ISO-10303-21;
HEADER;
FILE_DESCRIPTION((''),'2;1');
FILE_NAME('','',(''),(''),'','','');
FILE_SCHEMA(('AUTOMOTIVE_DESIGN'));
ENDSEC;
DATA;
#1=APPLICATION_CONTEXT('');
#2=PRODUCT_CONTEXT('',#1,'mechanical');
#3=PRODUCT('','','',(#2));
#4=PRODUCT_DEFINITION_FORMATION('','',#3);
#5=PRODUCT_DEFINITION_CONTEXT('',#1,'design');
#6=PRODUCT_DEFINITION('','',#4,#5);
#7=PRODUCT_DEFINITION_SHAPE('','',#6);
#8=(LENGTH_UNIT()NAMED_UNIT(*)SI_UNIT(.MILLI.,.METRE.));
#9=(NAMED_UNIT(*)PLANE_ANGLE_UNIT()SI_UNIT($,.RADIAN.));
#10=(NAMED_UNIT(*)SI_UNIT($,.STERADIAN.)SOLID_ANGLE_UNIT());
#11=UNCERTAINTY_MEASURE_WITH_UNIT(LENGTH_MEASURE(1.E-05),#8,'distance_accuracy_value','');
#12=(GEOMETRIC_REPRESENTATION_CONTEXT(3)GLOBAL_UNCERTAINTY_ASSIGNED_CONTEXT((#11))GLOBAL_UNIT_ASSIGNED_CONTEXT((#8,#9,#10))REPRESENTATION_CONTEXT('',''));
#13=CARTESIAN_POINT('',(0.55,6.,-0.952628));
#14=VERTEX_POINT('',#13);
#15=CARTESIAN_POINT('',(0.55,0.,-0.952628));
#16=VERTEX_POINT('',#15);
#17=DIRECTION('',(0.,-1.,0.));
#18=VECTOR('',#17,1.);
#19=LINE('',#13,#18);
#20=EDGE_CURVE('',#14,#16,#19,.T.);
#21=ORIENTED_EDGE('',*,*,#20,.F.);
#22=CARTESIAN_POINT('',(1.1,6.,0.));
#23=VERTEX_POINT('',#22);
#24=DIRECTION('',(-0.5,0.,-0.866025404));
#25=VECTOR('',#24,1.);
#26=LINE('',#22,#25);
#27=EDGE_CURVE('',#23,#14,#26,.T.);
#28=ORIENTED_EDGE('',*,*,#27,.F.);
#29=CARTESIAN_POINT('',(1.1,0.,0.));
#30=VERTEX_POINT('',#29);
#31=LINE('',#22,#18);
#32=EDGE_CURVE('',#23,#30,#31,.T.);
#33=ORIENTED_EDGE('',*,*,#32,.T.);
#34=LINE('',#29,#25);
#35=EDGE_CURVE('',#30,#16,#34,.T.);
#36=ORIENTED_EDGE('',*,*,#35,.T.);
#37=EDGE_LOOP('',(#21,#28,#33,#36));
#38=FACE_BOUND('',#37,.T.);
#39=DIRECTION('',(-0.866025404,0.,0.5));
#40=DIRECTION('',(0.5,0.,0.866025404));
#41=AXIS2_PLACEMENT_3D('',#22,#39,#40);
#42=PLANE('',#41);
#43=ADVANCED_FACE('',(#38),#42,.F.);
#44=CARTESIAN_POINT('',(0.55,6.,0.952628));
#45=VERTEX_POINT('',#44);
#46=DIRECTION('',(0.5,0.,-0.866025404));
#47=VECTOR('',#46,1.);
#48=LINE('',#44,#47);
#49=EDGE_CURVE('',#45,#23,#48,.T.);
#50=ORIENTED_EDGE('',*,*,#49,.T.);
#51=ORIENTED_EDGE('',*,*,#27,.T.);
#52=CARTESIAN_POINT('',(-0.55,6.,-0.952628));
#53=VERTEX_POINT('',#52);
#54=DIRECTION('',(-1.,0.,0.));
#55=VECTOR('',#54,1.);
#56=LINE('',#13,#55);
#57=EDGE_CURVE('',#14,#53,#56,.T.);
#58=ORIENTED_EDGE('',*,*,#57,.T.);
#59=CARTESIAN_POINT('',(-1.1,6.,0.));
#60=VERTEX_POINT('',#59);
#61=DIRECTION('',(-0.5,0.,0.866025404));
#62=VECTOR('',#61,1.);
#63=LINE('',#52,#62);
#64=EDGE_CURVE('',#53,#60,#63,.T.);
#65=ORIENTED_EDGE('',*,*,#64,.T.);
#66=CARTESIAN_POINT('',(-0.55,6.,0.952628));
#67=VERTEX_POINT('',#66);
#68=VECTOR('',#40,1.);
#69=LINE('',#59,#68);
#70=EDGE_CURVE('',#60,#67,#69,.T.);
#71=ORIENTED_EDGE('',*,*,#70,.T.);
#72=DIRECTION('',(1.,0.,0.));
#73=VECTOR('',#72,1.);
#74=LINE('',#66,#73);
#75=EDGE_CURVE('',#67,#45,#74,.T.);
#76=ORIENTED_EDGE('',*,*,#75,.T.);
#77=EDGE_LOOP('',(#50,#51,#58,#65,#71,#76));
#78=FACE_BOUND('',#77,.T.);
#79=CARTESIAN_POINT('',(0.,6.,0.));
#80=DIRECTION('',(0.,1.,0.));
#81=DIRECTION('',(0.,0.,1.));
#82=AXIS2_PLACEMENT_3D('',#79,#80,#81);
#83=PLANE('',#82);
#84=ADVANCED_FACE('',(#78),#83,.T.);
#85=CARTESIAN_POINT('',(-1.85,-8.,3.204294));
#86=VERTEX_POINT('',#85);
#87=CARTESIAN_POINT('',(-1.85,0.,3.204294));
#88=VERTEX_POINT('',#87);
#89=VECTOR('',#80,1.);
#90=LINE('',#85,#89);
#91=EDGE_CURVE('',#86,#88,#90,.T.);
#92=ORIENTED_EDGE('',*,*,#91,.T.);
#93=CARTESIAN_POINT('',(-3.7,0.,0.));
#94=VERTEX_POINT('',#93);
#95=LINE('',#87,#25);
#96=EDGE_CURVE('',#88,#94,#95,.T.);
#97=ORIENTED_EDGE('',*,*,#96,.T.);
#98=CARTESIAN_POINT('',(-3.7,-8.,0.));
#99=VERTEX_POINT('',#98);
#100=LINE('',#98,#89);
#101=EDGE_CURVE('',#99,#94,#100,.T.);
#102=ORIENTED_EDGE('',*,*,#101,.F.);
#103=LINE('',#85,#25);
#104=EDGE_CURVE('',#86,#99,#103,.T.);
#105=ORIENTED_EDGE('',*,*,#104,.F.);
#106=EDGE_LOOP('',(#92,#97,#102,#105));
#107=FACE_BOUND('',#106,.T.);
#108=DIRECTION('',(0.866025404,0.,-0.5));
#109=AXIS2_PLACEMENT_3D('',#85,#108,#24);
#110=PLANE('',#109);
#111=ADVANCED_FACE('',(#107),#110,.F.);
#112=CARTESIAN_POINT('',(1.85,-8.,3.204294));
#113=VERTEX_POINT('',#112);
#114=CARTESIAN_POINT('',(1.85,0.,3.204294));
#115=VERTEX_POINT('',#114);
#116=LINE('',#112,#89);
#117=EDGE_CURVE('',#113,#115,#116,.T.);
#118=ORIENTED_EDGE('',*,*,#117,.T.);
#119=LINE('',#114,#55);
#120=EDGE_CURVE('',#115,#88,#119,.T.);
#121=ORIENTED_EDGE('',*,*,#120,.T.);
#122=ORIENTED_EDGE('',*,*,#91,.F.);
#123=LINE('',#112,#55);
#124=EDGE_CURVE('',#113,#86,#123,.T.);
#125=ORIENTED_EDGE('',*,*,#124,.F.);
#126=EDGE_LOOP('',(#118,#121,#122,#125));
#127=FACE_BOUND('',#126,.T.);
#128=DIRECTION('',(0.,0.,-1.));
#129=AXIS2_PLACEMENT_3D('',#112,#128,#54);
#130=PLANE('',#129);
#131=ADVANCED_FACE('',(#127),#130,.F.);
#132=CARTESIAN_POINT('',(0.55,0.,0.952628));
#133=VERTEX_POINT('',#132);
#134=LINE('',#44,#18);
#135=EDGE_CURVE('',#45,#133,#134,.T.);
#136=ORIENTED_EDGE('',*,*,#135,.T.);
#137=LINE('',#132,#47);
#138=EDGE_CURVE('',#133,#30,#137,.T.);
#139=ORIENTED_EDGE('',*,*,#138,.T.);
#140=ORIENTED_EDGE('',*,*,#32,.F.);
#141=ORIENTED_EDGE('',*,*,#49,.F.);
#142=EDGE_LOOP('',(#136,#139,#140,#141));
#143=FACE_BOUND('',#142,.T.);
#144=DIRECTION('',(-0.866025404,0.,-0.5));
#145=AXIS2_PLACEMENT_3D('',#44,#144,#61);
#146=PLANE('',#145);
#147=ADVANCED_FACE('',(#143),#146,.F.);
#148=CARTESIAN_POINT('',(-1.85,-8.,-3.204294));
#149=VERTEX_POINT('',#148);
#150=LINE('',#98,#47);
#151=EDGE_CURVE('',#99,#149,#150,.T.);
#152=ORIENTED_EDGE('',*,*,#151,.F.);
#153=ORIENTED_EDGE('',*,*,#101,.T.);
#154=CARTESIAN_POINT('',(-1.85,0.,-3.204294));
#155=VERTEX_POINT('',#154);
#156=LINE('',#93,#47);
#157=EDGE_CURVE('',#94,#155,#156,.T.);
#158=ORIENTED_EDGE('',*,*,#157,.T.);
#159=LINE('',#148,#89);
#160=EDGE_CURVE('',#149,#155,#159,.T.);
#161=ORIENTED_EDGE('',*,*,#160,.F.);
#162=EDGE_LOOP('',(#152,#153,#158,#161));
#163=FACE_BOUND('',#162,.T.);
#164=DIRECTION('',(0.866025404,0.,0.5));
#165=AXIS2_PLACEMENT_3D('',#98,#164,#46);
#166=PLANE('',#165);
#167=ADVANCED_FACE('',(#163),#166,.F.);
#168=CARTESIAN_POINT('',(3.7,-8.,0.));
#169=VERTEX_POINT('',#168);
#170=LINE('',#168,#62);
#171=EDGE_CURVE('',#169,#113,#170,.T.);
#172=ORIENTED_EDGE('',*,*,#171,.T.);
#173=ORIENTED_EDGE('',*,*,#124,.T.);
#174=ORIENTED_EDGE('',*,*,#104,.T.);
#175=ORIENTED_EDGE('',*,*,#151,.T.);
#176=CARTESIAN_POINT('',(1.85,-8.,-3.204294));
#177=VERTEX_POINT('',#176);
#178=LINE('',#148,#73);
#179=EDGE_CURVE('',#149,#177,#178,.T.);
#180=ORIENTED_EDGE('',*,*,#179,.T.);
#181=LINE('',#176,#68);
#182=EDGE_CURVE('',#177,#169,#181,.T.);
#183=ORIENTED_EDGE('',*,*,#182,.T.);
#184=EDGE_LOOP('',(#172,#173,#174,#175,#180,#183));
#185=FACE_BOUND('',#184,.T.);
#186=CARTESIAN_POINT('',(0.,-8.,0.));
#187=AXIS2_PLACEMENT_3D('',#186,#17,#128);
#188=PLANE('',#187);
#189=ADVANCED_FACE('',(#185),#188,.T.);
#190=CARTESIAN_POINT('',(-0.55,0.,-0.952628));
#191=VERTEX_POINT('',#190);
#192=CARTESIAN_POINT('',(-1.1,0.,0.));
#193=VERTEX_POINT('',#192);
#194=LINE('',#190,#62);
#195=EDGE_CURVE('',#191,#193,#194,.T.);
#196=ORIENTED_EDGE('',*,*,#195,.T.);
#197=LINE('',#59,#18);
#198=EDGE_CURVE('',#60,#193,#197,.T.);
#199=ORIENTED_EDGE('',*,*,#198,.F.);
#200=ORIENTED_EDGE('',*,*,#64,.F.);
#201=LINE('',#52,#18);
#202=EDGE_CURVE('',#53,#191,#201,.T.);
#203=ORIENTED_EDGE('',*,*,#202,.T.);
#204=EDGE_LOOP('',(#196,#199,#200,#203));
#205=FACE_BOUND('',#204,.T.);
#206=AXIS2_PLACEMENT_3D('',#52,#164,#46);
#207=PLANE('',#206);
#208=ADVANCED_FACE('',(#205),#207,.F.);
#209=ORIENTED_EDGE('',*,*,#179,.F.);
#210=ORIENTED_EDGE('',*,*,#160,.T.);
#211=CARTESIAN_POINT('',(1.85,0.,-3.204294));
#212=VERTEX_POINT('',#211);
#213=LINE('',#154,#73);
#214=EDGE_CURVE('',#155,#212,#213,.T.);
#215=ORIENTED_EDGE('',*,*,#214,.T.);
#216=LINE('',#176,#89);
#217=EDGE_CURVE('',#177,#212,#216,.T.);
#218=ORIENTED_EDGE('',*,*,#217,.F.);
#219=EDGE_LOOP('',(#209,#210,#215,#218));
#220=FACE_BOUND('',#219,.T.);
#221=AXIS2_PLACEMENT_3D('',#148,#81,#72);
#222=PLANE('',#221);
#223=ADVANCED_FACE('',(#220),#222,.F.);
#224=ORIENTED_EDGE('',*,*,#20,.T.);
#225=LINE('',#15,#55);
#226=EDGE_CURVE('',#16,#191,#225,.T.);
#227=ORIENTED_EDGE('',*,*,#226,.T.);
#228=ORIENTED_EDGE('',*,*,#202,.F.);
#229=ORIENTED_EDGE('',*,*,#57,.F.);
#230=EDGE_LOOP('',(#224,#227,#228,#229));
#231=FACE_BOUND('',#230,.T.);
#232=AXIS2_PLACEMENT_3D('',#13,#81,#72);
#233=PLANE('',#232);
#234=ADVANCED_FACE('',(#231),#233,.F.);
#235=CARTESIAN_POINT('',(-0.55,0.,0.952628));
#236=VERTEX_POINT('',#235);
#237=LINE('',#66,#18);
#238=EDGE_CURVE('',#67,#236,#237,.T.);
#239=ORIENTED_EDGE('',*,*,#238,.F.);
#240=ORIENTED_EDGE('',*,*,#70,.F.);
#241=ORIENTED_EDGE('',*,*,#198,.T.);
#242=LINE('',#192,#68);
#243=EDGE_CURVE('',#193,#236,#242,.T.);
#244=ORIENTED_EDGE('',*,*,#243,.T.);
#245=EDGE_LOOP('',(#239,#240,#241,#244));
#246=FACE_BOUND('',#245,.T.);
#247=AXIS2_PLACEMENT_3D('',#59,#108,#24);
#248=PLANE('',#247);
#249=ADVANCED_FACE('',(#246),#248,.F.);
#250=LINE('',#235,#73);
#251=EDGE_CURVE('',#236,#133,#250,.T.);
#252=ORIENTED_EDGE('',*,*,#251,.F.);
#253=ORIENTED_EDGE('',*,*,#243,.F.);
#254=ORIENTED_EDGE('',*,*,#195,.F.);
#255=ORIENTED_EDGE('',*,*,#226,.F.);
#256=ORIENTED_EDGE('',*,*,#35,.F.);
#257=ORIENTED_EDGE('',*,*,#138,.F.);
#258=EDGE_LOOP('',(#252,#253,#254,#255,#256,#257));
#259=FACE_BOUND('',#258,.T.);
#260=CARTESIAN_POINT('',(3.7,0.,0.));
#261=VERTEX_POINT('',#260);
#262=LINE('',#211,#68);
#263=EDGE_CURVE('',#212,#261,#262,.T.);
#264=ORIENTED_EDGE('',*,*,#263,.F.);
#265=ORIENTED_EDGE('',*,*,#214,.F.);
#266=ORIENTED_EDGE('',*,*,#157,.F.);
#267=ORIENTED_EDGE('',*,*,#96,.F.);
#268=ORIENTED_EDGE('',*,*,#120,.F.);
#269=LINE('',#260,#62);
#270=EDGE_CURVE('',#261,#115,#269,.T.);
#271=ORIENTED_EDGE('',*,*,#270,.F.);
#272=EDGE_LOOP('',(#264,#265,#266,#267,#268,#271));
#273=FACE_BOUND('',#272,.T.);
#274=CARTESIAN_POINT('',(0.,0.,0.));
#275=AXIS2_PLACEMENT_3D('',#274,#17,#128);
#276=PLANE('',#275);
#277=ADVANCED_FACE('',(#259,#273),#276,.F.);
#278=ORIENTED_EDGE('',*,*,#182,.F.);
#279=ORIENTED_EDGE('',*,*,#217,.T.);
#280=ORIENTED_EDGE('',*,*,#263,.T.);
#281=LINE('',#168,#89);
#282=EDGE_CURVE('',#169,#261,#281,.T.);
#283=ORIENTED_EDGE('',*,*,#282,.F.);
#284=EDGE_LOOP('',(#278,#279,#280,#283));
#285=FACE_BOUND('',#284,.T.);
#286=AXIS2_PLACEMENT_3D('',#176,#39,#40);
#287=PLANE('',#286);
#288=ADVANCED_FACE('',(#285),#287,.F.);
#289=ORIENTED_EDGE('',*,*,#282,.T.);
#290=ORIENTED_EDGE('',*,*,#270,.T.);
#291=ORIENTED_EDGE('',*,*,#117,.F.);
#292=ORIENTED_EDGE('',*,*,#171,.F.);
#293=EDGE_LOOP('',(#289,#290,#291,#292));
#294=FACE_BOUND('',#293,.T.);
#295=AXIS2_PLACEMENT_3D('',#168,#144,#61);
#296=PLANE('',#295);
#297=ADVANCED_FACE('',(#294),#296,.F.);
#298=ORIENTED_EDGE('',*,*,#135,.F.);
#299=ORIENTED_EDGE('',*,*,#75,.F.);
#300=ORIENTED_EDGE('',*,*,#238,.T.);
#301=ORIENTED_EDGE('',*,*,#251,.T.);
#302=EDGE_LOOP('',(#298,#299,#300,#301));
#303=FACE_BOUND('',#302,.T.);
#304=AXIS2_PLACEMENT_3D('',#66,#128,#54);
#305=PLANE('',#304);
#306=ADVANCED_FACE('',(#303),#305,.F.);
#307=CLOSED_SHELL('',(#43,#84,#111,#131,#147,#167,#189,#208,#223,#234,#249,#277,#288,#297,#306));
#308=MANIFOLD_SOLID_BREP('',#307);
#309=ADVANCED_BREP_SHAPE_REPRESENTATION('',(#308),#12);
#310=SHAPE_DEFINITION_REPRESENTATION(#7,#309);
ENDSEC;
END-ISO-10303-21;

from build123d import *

# Parameters (mm, degrees)
BOSS_EXTRUDE1_DEPTH = 6
BOSS_EXTRUDE2_DEPTH = 8


with BuildPart() as part:
    # Sketch1 → Boss-Extrude1 (new body)
    with BuildSketch(Plane(origin=(0, 0, 0), x_dir=(1, 0, 0), z_dir=(0, 1, 0))):
        Polygon((1.1, 0), (0.55, 0.952627944), (-0.55, 0.952627944), (-1.1, 0), (-0.55, -0.952627944), (0.55, -0.952627944), align=None)
    extrude(amount=BOSS_EXTRUDE1_DEPTH)

    # Sketch2 → Boss-Extrude2 (add)
    with BuildSketch(Plane.XZ):
        Polygon((3.7, 0), (1.85, 3.204293994), (-1.85, 3.204293994), (-3.7, 0), (-1.85, -3.204293994), (1.85, -3.204293994), align=None)
    extrude(amount=BOSS_EXTRUDE2_DEPTH)


solid = part.part
